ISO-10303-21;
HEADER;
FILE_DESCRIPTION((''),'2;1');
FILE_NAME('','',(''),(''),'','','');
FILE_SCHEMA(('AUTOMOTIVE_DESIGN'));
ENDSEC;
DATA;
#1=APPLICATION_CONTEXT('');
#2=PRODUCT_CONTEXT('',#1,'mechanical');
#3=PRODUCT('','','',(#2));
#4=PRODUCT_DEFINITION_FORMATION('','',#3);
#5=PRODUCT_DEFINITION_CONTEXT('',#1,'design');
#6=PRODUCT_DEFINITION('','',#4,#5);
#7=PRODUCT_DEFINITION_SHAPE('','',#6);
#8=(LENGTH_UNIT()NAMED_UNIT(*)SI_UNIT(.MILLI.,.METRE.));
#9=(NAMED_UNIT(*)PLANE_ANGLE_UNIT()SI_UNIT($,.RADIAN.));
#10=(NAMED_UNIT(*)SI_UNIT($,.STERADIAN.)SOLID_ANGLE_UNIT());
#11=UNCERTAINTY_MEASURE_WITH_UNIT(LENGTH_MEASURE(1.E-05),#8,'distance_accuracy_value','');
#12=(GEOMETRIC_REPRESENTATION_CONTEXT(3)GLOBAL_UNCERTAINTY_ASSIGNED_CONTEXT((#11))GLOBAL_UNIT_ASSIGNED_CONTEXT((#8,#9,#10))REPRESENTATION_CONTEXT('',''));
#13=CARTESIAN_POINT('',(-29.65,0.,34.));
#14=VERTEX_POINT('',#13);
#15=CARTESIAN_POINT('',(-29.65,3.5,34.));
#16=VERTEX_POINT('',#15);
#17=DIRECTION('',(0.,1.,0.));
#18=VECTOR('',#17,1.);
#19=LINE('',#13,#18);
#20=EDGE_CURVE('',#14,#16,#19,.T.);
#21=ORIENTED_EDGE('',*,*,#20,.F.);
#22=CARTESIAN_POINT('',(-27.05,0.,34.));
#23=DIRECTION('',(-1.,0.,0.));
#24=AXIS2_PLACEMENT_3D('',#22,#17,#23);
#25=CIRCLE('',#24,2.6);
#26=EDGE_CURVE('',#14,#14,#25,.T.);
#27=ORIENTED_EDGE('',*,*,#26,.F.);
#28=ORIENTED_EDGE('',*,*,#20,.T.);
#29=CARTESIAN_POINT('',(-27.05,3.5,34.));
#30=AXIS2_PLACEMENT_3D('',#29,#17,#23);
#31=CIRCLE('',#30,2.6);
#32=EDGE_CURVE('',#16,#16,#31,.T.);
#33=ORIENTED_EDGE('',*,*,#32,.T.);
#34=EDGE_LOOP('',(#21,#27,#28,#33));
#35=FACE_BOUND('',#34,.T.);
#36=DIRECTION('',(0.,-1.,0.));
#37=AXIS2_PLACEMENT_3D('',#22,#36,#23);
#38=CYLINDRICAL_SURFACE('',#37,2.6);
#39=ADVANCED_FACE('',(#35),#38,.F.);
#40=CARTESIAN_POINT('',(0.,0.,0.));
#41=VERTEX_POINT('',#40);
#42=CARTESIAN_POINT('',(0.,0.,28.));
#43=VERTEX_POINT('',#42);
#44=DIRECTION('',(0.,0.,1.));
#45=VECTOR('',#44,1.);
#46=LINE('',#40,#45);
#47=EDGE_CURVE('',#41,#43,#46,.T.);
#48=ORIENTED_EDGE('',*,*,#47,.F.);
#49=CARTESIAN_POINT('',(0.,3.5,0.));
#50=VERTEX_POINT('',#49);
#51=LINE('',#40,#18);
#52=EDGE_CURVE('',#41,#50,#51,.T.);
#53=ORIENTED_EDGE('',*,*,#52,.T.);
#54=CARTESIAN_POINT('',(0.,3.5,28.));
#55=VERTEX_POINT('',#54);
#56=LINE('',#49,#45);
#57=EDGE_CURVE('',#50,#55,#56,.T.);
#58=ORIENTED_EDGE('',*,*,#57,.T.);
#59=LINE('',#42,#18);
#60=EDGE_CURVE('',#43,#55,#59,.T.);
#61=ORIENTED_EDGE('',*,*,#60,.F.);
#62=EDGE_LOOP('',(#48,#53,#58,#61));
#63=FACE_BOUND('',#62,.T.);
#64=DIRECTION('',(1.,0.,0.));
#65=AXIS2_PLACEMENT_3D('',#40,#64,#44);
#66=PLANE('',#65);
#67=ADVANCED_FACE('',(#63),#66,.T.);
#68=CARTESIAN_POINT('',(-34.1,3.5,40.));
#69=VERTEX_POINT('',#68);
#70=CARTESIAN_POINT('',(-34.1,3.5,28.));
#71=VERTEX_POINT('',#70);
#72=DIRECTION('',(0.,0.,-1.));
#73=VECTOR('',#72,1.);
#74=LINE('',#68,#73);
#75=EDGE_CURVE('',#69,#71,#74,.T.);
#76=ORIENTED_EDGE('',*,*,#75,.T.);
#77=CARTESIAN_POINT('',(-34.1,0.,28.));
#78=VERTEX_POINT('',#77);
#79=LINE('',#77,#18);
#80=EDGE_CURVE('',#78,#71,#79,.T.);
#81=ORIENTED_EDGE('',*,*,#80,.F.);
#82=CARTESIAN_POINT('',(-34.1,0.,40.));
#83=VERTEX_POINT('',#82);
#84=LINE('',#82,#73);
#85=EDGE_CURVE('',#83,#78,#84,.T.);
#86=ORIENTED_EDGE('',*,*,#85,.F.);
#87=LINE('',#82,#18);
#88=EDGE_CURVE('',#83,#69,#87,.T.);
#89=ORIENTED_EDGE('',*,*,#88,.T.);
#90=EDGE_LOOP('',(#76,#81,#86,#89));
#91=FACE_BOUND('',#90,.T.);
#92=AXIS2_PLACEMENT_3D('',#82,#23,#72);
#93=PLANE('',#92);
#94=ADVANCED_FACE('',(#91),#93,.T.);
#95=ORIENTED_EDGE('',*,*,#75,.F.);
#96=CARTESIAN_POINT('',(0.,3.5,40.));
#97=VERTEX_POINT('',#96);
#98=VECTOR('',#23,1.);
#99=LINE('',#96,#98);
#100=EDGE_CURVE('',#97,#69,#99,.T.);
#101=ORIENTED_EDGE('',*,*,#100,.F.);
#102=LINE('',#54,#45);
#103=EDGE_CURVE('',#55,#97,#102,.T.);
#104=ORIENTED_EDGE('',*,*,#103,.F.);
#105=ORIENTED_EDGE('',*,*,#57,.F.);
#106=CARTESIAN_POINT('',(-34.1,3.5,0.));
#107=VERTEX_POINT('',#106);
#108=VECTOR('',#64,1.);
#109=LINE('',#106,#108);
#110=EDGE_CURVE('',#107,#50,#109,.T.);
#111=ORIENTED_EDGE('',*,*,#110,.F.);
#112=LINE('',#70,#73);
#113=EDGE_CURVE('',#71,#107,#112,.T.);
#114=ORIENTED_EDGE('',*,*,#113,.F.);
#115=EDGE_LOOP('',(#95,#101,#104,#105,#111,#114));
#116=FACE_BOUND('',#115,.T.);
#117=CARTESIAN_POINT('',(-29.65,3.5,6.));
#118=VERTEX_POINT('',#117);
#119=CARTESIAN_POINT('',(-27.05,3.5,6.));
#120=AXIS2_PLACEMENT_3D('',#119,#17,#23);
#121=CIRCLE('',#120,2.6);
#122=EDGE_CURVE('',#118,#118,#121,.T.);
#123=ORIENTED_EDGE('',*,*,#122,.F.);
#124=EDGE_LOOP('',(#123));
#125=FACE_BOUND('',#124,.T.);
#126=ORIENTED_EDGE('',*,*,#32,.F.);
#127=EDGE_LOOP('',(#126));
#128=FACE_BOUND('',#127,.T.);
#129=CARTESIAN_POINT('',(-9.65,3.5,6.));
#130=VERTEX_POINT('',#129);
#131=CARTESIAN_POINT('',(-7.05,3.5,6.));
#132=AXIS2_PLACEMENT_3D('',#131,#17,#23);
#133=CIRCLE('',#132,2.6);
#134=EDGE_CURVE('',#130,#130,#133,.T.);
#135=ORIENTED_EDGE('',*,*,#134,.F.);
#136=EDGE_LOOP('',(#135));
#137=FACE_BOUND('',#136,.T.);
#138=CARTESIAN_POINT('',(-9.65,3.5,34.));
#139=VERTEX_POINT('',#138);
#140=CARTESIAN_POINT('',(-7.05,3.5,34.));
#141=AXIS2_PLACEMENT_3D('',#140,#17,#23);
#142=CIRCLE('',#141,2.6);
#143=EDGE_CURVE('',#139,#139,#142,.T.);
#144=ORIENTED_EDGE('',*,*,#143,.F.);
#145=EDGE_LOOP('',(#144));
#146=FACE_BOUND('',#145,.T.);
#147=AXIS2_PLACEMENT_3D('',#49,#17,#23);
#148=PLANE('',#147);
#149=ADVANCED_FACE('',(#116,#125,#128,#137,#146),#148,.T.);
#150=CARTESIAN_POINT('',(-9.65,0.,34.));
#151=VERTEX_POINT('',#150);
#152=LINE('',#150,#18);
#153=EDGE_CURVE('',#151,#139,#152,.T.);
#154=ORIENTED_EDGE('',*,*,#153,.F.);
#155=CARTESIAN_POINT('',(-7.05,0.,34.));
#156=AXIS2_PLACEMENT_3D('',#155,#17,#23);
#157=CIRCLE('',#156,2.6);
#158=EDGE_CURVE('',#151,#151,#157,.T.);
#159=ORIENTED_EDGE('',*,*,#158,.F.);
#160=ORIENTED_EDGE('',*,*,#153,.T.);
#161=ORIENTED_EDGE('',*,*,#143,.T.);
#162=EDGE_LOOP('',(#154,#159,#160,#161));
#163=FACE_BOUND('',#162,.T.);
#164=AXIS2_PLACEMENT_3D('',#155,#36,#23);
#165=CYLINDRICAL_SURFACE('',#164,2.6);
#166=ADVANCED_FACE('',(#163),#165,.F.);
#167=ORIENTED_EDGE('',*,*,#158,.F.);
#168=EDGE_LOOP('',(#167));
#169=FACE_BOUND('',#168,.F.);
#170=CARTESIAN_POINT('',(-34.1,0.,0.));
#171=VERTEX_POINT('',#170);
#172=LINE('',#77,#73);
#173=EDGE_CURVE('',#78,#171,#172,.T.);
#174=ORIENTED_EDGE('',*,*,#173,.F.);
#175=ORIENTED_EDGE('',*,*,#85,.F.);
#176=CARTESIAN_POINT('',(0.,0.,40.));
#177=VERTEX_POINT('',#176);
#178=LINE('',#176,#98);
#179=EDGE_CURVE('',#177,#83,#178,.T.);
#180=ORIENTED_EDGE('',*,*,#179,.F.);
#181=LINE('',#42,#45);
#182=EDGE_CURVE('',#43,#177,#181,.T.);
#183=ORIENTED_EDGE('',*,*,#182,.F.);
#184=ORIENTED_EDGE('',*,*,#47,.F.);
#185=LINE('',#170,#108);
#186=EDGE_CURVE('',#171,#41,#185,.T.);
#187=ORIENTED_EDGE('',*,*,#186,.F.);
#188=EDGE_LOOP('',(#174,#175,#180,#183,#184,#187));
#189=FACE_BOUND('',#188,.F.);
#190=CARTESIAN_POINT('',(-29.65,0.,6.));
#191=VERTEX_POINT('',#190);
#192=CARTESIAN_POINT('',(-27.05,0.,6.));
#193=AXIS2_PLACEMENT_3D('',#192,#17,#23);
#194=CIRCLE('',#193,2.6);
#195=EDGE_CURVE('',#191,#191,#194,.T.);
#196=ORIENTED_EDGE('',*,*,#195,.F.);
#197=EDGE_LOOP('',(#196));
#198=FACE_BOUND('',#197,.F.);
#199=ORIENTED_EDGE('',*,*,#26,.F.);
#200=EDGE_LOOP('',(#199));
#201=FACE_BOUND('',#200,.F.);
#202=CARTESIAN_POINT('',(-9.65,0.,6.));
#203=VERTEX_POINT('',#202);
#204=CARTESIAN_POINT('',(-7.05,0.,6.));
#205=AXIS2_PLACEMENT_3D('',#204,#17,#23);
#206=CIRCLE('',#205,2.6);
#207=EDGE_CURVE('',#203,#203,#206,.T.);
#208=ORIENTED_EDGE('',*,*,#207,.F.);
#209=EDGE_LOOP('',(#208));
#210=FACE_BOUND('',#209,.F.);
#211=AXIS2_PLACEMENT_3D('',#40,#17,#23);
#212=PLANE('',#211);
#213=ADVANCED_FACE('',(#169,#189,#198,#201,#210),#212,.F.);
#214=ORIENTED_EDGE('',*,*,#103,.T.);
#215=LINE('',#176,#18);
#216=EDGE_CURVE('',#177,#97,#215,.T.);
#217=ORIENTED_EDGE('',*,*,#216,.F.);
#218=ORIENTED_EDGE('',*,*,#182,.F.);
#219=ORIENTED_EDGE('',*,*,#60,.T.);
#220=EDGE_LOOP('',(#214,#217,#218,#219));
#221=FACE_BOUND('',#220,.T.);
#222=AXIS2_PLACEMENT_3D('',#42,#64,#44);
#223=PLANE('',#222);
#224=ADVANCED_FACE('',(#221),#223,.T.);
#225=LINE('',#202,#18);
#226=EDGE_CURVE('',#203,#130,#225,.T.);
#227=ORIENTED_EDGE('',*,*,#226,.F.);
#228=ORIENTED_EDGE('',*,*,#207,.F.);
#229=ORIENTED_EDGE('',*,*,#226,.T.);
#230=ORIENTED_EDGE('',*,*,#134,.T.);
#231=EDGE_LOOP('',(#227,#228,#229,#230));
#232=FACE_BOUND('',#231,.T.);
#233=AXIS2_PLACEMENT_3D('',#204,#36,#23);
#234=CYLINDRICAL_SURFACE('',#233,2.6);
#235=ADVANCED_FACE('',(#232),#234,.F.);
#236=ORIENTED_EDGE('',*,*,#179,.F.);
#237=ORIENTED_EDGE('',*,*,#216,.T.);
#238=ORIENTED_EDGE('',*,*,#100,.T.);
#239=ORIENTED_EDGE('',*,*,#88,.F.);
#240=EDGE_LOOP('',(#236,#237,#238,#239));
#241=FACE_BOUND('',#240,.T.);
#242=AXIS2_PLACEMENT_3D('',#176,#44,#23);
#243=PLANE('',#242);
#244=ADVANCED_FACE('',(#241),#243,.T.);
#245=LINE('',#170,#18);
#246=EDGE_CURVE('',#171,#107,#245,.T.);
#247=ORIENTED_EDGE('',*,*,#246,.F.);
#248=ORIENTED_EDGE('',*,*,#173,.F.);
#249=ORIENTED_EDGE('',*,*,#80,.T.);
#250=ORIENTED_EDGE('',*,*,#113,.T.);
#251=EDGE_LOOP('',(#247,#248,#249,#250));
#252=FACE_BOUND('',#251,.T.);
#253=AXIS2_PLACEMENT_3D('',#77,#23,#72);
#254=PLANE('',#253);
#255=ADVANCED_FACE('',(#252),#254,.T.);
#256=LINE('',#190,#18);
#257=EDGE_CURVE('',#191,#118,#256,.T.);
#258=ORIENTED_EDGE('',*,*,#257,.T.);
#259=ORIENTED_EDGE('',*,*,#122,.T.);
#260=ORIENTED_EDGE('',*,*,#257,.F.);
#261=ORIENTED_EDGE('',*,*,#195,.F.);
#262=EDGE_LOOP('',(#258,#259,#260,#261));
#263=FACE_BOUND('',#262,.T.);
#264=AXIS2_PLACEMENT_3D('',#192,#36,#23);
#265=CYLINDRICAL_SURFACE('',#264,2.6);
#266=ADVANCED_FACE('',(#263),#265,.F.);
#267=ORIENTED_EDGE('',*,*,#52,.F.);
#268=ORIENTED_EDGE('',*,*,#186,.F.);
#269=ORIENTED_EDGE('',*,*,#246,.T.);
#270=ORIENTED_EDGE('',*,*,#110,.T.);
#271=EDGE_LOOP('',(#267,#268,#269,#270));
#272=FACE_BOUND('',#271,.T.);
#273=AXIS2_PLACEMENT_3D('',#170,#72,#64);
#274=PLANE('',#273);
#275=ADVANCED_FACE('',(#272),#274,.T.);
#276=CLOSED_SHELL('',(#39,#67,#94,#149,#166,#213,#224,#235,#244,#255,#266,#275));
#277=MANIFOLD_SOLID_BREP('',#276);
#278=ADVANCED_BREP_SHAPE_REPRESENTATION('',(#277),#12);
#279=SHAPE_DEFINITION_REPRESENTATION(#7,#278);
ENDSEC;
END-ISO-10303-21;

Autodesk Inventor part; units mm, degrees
ref_plane "YZ Plane" through (0, 0, 0) normal (1, 0, 0) x (0, 1, 0)
ref_plane "XZ Plane" through (0, 0, 0) normal (0, 1, 0) x (-1, 0, 0)
ref_plane "XY Plane" through (0, 0, 0) normal (0, 0, 1) x (1, 0, 0)
sketch "Sketch1" plane through (0, 0, 0) normal (0, 1, 0) x (-1, 0, 0)
  line L0 (17.2372, 12) -> (17.2372, 28) construction
  line L1 (14.9628, 12) -> (17.2372, 12) construction
  line L2 (14.9628, 12) -> (14.9628, 28) construction
  line L3 (17.2372, 28) -> (14.9628, 28) construction
  line L4 (14.2372, 12) -> (14.2372, 28) construction
  line L5 (11.9628, 12) -> (14.2372, 12) construction
  line L6 (11.9628, 12) -> (11.9628, 28) construction
  line L7 (14.2372, 28) -> (11.9628, 28) construction
  line L8 (20.2372, 28) -> (17.9628, 28) construction
  line L9 (20.2372, 12) -> (20.2372, 28) construction
  line L10 (17.9628, 12) -> (20.2372, 12) construction
  line L11 (17.9628, 12) -> (17.9628, 28) construction
  line L12 (11.2372, 12) -> (11.2372, 28) construction
  line L13 (8.9628, 12) -> (11.2372, 12) construction
  line L14 (8.9628, 12) -> (8.9628, 28) construction
  line L15 (11.2372, 28) -> (8.9628, 28) construction
  line L16 (23.2372, 28) -> (20.9628, 28) construction
  line L17 (23.2372, 12) -> (23.2372, 28) construction
  line L18 (20.9628, 12) -> (23.2372, 12) construction
  line L19 (20.9628, 12) -> (20.9628, 28) construction
  line L20 (8.2372, 12) -> (8.2372, 28) construction
  line L21 (5.9628, 12) -> (8.2372, 12) construction
  line L22 (5.9628, 12) -> (5.9628, 28) construction
  line L23 (8.2372, 28) -> (5.9628, 28) construction
  line L24 (26.2372, 28) -> (23.9628, 28) construction
  line L25 (26.2372, 12) -> (26.2372, 28) construction
  line L26 (23.9628, 12) -> (26.2372, 12) construction
  line L27 (23.9628, 12) -> (23.9628, 28) construction
  line L28 (5.2372, 12) -> (5.2372, 28) construction
  line L29 (2.9628, 12) -> (5.2372, 12) construction
  line L30 (2.9628, 12) -> (2.9628, 28) construction
  line L31 (5.2372, 28) -> (2.9628, 28) construction
  line L32 (29.2372, 28) -> (26.9628, 28) construction
  line L33 (29.2372, 12) -> (29.2372, 28) construction
  line L34 (26.9628, 12) -> (29.2372, 12) construction
  line L35 (26.9628, 12) -> (26.9628, 28) construction
  line L36 (2.2372, 12) -> (2.2372, 28) construction
  line L37 (0, 12) -> (2.2372, 12) construction
  line L38 (0, 0) -> (0, 28)
  line L39 (34.1, 0) -> (0, 0)
  line L40 (34.1, 28) -> (34.1, 0)
  line L41 (32.9628, 12) -> (34.1, 12) construction
  line L42 (32.9628, 12) -> (32.9628, 28) construction
  line L43 (34.1, 28) -> (32.9628, 28) construction
  line L44 (34.1, 40) -> (34.1, 28)
  line L45 (0, 40) -> (34.1, 40)
  line L46 (0, 28) -> (0, 40)
  line L47 (2.2372, 28) -> (0, 28) construction
  circle A0 centre (7.05, 34) radius 2.6
  circle A1 centre (27.05, 34) radius 2.6
  circle A2 centre (27.05, 6) radius 2.6
  circle A3 centre (7.05, 6) radius 2.6
  line L48 (32.2372, 28) -> (29.9628, 28) construction
  line L49 (32.2372, 12) -> (32.2372, 28) construction
  line L50 (29.9628, 12) -> (32.2372, 12) construction
  line L51 (29.9628, 12) -> (29.9628, 28) construction
extrude "Extrusion1" add sketch "Sketch1" along normal blind 3.5
properties part number "Y Axis Belt Adjustable Top"
